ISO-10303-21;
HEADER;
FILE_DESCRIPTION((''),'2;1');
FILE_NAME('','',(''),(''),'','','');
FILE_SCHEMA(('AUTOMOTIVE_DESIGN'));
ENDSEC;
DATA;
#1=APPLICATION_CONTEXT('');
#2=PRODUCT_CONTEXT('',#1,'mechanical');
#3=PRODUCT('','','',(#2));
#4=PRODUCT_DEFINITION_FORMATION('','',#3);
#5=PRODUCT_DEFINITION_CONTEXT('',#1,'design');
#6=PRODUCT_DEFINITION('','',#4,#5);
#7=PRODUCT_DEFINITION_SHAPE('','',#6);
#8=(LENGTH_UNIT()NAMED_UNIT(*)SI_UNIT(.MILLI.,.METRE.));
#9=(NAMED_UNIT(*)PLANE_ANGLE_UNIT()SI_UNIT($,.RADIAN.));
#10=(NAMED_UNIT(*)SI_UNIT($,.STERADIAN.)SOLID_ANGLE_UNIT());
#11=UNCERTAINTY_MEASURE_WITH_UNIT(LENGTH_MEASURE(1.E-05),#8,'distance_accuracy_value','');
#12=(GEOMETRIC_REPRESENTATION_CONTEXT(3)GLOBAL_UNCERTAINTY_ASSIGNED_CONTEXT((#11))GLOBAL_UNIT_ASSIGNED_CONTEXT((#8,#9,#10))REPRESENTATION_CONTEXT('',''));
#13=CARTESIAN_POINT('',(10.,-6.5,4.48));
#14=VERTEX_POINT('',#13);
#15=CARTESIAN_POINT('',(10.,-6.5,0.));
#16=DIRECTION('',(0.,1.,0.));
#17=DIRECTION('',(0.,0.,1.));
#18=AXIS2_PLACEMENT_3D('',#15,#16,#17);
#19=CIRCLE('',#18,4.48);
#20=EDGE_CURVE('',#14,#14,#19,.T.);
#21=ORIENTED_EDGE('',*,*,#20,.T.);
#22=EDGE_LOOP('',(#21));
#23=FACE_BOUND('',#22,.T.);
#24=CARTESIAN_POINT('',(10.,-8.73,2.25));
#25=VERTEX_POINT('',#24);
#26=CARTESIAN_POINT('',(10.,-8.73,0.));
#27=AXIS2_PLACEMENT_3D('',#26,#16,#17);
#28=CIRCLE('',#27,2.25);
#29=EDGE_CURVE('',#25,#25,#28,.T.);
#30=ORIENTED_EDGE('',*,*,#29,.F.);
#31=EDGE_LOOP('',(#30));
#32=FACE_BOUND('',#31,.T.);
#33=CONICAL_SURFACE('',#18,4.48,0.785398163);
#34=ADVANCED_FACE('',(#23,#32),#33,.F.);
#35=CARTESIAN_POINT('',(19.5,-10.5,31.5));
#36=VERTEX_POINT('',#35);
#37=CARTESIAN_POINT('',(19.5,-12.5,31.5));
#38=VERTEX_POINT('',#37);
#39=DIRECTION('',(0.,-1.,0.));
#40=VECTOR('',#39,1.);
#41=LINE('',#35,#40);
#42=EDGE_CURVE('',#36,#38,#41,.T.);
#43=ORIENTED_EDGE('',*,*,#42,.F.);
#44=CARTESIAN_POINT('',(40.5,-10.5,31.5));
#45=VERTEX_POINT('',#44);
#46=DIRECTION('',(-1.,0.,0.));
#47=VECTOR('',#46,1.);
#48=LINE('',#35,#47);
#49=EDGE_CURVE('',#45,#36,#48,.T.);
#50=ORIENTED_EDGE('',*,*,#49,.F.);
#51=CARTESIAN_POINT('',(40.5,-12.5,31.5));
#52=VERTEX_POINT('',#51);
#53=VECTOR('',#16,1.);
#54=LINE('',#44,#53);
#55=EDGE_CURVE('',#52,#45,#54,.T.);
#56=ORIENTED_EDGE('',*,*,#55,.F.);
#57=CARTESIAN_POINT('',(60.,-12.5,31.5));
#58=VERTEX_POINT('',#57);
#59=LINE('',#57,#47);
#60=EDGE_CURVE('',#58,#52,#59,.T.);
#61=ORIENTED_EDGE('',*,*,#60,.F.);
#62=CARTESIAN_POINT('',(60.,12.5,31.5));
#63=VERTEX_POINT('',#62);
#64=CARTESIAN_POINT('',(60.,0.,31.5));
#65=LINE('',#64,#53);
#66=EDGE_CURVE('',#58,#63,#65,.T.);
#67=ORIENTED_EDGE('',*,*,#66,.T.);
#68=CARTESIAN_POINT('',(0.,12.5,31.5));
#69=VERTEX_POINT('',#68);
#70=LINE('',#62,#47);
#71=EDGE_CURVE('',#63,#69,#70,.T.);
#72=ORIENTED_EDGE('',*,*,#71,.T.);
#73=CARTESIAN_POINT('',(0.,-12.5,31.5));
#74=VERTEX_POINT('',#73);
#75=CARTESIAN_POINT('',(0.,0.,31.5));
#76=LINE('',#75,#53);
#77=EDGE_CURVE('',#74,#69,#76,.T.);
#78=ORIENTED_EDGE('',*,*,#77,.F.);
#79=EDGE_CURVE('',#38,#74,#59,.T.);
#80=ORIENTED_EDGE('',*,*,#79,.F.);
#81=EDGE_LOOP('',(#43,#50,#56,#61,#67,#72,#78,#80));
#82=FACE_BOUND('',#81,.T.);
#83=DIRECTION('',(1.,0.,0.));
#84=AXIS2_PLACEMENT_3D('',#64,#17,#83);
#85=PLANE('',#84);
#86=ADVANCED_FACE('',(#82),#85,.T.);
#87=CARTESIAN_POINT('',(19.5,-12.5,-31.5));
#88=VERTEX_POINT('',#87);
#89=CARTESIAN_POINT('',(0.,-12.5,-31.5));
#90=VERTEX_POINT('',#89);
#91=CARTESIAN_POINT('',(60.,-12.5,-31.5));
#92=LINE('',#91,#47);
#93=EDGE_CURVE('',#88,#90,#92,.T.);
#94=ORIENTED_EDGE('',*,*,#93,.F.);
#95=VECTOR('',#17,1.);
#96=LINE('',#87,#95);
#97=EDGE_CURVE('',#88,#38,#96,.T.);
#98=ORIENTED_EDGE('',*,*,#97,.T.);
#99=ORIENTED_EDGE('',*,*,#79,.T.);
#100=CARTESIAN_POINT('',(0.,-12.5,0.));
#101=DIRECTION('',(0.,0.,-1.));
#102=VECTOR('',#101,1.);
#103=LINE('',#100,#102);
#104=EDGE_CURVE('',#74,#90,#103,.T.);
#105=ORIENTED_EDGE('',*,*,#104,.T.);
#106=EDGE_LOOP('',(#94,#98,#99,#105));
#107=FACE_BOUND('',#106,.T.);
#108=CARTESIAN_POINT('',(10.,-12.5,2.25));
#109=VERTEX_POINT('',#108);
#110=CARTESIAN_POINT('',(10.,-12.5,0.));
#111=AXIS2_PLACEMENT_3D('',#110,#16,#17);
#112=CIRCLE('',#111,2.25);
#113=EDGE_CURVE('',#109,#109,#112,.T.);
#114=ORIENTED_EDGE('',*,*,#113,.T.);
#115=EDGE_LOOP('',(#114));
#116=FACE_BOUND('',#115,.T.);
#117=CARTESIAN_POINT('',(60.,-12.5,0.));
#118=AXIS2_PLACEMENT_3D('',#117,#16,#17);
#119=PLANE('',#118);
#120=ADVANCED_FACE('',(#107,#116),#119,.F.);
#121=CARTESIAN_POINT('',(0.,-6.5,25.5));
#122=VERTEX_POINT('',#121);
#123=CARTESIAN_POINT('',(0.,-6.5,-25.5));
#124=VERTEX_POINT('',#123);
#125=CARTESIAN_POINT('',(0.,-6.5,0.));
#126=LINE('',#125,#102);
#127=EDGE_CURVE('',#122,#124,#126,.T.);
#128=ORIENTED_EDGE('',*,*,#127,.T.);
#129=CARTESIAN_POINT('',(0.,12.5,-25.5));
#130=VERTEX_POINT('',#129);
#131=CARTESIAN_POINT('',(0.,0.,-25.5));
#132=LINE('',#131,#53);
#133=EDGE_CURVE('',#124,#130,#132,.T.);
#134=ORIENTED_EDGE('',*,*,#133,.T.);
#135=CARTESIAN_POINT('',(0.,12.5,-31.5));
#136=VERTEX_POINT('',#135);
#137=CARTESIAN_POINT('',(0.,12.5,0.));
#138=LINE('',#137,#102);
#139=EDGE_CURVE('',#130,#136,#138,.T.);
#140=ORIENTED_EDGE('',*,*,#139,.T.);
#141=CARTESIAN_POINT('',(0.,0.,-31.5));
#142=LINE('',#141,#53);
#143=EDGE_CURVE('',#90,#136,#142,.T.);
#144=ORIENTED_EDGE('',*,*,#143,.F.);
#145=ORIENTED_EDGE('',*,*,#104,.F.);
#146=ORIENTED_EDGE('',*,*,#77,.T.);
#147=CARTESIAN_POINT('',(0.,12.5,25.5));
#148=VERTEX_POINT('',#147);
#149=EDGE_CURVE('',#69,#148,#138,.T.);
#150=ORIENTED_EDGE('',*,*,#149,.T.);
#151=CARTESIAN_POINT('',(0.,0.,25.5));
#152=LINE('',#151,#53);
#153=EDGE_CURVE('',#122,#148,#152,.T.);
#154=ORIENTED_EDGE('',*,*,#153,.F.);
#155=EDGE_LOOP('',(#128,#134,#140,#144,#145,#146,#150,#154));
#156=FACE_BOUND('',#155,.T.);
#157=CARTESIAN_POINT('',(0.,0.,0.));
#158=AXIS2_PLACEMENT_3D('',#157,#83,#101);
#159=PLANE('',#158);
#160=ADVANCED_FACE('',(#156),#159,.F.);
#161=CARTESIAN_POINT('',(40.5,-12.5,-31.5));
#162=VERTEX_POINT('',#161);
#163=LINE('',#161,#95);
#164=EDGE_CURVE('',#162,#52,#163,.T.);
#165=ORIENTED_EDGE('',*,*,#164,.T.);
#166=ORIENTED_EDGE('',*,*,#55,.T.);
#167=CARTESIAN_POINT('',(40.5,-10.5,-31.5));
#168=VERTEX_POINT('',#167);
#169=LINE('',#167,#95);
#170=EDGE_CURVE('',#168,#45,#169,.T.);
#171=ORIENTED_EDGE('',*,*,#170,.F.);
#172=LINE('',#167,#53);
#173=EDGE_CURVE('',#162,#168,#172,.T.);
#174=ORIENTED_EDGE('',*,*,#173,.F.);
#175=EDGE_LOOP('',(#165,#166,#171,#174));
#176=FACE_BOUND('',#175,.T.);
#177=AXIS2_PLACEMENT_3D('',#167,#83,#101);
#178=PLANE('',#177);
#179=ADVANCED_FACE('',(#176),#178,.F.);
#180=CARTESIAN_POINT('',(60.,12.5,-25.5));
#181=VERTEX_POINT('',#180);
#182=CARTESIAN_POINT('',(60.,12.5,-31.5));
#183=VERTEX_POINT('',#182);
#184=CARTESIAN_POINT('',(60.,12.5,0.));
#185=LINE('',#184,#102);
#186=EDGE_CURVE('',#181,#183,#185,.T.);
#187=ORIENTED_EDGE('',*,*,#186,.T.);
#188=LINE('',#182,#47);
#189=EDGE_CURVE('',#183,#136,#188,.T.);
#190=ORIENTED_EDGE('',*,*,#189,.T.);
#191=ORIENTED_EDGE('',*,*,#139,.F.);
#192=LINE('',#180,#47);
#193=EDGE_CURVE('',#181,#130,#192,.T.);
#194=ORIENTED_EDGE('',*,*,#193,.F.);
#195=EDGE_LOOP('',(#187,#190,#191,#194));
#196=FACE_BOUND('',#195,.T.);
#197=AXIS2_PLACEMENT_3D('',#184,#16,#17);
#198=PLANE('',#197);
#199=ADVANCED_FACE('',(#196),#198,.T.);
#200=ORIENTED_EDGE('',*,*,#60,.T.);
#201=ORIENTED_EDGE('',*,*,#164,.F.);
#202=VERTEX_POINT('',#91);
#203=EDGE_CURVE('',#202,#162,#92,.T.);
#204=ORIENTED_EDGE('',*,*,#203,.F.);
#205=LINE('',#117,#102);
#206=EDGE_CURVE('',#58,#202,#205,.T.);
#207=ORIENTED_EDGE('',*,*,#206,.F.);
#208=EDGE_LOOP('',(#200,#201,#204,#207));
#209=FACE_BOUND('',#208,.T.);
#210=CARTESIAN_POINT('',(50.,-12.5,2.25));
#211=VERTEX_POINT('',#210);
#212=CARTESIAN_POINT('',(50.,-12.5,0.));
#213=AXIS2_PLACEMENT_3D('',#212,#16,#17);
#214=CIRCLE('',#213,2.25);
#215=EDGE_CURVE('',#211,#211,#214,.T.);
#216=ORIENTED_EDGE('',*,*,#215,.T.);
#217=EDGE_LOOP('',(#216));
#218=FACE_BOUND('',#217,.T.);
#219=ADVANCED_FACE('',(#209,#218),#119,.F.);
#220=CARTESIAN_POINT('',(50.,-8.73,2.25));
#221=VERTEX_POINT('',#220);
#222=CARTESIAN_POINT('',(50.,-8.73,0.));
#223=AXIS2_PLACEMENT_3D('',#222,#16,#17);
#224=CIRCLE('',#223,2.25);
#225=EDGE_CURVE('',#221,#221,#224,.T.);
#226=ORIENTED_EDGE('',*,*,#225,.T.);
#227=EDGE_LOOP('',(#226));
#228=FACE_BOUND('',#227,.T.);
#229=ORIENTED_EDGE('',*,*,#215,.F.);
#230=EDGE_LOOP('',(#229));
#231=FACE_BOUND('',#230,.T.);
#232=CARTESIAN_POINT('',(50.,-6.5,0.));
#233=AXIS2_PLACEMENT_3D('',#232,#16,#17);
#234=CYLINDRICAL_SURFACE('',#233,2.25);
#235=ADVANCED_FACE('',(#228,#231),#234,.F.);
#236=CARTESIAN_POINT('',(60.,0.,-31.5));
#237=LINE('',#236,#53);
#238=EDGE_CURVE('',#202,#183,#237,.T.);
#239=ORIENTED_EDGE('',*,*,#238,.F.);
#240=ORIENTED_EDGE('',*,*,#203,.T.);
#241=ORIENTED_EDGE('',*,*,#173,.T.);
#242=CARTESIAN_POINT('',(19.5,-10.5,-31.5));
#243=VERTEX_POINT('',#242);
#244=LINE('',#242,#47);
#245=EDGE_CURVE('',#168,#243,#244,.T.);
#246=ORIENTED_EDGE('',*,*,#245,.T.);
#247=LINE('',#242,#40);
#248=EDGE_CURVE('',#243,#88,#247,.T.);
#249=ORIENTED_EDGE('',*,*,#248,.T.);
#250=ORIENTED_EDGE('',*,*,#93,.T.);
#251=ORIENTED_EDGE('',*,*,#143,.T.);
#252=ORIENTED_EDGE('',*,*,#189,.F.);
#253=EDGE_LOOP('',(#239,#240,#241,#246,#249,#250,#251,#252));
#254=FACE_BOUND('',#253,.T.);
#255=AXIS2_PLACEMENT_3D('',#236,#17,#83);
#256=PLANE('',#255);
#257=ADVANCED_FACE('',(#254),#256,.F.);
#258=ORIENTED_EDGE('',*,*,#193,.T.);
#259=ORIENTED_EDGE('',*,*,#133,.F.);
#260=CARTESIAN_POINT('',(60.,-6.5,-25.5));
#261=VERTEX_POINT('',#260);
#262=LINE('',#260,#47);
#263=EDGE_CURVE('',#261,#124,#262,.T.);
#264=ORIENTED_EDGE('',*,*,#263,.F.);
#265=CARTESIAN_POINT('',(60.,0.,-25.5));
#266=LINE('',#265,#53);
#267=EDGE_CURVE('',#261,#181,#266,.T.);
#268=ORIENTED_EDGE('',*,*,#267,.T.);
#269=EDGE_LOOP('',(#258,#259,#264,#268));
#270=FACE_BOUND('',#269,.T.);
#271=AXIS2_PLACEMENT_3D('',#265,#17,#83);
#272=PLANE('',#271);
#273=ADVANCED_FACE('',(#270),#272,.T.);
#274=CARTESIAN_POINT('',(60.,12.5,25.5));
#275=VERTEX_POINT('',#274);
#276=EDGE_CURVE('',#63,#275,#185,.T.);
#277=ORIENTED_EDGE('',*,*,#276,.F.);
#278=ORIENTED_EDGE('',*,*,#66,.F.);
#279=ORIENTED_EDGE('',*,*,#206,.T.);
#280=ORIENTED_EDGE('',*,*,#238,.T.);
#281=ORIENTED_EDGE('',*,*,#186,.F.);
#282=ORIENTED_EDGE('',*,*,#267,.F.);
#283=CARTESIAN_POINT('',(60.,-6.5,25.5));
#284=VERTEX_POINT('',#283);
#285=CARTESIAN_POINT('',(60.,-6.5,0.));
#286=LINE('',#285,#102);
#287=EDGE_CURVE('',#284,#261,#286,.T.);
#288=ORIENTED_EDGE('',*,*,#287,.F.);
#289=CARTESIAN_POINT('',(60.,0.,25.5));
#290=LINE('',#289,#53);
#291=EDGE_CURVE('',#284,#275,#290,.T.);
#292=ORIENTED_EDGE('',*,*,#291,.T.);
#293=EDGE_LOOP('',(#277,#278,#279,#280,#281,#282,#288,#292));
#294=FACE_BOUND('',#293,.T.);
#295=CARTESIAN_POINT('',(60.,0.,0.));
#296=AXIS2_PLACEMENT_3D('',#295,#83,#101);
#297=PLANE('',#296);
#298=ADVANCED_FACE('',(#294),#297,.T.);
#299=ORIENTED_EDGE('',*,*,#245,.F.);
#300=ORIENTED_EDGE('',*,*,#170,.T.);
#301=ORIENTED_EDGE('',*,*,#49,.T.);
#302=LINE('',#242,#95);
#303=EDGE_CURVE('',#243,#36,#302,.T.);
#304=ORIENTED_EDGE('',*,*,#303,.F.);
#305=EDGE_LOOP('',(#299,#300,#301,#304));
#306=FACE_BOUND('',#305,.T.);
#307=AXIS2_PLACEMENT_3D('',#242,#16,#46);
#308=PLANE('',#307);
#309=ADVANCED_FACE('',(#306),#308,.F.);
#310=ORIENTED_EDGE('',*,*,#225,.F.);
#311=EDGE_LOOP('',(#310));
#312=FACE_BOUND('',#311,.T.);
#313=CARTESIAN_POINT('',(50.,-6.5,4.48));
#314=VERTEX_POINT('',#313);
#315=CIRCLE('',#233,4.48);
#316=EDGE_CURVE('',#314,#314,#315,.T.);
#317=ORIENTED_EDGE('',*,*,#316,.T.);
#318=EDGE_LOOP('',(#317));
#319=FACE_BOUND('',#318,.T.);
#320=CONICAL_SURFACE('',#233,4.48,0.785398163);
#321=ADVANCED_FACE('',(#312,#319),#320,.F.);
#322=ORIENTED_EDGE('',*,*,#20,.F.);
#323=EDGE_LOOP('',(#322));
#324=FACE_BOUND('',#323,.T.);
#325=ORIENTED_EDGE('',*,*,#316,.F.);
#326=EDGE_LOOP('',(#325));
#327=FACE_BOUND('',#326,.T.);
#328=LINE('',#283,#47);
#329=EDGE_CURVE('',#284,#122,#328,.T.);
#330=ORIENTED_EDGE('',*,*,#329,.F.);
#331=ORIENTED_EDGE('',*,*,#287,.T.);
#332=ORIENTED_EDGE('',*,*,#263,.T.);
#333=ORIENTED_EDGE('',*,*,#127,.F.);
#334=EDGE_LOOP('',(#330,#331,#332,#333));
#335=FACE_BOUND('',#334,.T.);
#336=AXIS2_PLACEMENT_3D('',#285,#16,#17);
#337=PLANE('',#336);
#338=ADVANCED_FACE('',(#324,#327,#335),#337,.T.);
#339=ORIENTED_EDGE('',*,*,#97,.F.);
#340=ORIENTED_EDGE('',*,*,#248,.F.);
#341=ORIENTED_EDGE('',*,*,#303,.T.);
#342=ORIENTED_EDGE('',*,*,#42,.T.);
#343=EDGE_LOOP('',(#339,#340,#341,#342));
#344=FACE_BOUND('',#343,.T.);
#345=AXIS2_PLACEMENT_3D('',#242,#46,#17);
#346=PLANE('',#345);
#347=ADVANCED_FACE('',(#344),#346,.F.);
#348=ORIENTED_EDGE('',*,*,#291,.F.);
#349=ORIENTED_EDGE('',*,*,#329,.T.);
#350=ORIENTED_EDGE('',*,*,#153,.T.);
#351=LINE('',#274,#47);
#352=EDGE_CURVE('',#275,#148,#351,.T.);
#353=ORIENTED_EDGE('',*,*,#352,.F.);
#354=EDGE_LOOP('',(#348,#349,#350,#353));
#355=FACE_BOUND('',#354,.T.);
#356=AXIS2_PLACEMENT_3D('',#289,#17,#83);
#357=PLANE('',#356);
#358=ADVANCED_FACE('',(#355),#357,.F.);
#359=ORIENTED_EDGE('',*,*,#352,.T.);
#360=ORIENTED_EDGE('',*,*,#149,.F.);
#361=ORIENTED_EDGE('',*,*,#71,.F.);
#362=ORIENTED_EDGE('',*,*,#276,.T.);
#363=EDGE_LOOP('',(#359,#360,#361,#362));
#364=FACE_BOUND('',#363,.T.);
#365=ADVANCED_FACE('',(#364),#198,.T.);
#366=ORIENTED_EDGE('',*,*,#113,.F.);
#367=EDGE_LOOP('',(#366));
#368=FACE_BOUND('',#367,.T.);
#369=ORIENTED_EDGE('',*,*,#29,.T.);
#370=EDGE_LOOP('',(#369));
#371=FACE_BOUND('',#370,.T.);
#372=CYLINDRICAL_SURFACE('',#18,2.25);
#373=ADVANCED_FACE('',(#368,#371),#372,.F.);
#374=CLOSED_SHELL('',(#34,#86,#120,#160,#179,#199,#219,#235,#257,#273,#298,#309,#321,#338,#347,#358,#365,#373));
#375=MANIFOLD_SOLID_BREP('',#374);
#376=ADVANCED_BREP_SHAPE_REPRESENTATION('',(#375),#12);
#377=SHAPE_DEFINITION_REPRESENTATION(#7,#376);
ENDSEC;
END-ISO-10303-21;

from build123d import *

# Parameters (mm, degrees)
BOSS_EXTRUDE1_DEPTH           = 60
SKETCH2_W                     = 21
SKETCH2_H                     = 2
CUT_EXTRUDE1_DEPTH            = 88.893401345
CSK_FOR_M4_SFHCS1_D           = 4.5
CSK_FOR_M4_SFHCS1_CSINK_D     = 8.96
CSK_FOR_M4_SFHCS1_CSINK_ANGLE = 90


with BuildPart() as part:
    # Sketch1 → Boss-Extrude1 (new body)
    with BuildSketch(Plane(origin=(0, 0, 0), x_dir=(0, 0, -1), z_dir=(1, 0, 0))):
        Polygon((-31.5, 12.5), (-31.5, -12.5), (31.5, -12.5), (31.5, 12.5), (25.5, 12.5), (25.5, -6.5), (-25.5, -6.5), (-25.5, 12.5), align=None)
    extrude(amount=BOSS_EXTRUDE1_DEPTH)

    # Sketch2 → Cut-Extrude1 (cut, through all)
    with BuildSketch(Plane.XY.offset(31.5)):
        with Locations((30, -11.5)):
            Rectangle(SKETCH2_W, SKETCH2_H)
    extrude(amount=-CUT_EXTRUDE1_DEPTH, mode=Mode.SUBTRACT)

    # CSK for M4 SFHCS1 (through all)
    with Locations(Plane(origin=(0, -6.5, 0), x_dir=(1, 0, 0), z_dir=(0, 1, 0))):
        with Locations((10, 0), (50, 0)):
            CounterSinkHole(CSK_FOR_M4_SFHCS1_D / 2, CSK_FOR_M4_SFHCS1_CSINK_D / 2, counter_sink_angle=CSK_FOR_M4_SFHCS1_CSINK_ANGLE)


solid = part.part
